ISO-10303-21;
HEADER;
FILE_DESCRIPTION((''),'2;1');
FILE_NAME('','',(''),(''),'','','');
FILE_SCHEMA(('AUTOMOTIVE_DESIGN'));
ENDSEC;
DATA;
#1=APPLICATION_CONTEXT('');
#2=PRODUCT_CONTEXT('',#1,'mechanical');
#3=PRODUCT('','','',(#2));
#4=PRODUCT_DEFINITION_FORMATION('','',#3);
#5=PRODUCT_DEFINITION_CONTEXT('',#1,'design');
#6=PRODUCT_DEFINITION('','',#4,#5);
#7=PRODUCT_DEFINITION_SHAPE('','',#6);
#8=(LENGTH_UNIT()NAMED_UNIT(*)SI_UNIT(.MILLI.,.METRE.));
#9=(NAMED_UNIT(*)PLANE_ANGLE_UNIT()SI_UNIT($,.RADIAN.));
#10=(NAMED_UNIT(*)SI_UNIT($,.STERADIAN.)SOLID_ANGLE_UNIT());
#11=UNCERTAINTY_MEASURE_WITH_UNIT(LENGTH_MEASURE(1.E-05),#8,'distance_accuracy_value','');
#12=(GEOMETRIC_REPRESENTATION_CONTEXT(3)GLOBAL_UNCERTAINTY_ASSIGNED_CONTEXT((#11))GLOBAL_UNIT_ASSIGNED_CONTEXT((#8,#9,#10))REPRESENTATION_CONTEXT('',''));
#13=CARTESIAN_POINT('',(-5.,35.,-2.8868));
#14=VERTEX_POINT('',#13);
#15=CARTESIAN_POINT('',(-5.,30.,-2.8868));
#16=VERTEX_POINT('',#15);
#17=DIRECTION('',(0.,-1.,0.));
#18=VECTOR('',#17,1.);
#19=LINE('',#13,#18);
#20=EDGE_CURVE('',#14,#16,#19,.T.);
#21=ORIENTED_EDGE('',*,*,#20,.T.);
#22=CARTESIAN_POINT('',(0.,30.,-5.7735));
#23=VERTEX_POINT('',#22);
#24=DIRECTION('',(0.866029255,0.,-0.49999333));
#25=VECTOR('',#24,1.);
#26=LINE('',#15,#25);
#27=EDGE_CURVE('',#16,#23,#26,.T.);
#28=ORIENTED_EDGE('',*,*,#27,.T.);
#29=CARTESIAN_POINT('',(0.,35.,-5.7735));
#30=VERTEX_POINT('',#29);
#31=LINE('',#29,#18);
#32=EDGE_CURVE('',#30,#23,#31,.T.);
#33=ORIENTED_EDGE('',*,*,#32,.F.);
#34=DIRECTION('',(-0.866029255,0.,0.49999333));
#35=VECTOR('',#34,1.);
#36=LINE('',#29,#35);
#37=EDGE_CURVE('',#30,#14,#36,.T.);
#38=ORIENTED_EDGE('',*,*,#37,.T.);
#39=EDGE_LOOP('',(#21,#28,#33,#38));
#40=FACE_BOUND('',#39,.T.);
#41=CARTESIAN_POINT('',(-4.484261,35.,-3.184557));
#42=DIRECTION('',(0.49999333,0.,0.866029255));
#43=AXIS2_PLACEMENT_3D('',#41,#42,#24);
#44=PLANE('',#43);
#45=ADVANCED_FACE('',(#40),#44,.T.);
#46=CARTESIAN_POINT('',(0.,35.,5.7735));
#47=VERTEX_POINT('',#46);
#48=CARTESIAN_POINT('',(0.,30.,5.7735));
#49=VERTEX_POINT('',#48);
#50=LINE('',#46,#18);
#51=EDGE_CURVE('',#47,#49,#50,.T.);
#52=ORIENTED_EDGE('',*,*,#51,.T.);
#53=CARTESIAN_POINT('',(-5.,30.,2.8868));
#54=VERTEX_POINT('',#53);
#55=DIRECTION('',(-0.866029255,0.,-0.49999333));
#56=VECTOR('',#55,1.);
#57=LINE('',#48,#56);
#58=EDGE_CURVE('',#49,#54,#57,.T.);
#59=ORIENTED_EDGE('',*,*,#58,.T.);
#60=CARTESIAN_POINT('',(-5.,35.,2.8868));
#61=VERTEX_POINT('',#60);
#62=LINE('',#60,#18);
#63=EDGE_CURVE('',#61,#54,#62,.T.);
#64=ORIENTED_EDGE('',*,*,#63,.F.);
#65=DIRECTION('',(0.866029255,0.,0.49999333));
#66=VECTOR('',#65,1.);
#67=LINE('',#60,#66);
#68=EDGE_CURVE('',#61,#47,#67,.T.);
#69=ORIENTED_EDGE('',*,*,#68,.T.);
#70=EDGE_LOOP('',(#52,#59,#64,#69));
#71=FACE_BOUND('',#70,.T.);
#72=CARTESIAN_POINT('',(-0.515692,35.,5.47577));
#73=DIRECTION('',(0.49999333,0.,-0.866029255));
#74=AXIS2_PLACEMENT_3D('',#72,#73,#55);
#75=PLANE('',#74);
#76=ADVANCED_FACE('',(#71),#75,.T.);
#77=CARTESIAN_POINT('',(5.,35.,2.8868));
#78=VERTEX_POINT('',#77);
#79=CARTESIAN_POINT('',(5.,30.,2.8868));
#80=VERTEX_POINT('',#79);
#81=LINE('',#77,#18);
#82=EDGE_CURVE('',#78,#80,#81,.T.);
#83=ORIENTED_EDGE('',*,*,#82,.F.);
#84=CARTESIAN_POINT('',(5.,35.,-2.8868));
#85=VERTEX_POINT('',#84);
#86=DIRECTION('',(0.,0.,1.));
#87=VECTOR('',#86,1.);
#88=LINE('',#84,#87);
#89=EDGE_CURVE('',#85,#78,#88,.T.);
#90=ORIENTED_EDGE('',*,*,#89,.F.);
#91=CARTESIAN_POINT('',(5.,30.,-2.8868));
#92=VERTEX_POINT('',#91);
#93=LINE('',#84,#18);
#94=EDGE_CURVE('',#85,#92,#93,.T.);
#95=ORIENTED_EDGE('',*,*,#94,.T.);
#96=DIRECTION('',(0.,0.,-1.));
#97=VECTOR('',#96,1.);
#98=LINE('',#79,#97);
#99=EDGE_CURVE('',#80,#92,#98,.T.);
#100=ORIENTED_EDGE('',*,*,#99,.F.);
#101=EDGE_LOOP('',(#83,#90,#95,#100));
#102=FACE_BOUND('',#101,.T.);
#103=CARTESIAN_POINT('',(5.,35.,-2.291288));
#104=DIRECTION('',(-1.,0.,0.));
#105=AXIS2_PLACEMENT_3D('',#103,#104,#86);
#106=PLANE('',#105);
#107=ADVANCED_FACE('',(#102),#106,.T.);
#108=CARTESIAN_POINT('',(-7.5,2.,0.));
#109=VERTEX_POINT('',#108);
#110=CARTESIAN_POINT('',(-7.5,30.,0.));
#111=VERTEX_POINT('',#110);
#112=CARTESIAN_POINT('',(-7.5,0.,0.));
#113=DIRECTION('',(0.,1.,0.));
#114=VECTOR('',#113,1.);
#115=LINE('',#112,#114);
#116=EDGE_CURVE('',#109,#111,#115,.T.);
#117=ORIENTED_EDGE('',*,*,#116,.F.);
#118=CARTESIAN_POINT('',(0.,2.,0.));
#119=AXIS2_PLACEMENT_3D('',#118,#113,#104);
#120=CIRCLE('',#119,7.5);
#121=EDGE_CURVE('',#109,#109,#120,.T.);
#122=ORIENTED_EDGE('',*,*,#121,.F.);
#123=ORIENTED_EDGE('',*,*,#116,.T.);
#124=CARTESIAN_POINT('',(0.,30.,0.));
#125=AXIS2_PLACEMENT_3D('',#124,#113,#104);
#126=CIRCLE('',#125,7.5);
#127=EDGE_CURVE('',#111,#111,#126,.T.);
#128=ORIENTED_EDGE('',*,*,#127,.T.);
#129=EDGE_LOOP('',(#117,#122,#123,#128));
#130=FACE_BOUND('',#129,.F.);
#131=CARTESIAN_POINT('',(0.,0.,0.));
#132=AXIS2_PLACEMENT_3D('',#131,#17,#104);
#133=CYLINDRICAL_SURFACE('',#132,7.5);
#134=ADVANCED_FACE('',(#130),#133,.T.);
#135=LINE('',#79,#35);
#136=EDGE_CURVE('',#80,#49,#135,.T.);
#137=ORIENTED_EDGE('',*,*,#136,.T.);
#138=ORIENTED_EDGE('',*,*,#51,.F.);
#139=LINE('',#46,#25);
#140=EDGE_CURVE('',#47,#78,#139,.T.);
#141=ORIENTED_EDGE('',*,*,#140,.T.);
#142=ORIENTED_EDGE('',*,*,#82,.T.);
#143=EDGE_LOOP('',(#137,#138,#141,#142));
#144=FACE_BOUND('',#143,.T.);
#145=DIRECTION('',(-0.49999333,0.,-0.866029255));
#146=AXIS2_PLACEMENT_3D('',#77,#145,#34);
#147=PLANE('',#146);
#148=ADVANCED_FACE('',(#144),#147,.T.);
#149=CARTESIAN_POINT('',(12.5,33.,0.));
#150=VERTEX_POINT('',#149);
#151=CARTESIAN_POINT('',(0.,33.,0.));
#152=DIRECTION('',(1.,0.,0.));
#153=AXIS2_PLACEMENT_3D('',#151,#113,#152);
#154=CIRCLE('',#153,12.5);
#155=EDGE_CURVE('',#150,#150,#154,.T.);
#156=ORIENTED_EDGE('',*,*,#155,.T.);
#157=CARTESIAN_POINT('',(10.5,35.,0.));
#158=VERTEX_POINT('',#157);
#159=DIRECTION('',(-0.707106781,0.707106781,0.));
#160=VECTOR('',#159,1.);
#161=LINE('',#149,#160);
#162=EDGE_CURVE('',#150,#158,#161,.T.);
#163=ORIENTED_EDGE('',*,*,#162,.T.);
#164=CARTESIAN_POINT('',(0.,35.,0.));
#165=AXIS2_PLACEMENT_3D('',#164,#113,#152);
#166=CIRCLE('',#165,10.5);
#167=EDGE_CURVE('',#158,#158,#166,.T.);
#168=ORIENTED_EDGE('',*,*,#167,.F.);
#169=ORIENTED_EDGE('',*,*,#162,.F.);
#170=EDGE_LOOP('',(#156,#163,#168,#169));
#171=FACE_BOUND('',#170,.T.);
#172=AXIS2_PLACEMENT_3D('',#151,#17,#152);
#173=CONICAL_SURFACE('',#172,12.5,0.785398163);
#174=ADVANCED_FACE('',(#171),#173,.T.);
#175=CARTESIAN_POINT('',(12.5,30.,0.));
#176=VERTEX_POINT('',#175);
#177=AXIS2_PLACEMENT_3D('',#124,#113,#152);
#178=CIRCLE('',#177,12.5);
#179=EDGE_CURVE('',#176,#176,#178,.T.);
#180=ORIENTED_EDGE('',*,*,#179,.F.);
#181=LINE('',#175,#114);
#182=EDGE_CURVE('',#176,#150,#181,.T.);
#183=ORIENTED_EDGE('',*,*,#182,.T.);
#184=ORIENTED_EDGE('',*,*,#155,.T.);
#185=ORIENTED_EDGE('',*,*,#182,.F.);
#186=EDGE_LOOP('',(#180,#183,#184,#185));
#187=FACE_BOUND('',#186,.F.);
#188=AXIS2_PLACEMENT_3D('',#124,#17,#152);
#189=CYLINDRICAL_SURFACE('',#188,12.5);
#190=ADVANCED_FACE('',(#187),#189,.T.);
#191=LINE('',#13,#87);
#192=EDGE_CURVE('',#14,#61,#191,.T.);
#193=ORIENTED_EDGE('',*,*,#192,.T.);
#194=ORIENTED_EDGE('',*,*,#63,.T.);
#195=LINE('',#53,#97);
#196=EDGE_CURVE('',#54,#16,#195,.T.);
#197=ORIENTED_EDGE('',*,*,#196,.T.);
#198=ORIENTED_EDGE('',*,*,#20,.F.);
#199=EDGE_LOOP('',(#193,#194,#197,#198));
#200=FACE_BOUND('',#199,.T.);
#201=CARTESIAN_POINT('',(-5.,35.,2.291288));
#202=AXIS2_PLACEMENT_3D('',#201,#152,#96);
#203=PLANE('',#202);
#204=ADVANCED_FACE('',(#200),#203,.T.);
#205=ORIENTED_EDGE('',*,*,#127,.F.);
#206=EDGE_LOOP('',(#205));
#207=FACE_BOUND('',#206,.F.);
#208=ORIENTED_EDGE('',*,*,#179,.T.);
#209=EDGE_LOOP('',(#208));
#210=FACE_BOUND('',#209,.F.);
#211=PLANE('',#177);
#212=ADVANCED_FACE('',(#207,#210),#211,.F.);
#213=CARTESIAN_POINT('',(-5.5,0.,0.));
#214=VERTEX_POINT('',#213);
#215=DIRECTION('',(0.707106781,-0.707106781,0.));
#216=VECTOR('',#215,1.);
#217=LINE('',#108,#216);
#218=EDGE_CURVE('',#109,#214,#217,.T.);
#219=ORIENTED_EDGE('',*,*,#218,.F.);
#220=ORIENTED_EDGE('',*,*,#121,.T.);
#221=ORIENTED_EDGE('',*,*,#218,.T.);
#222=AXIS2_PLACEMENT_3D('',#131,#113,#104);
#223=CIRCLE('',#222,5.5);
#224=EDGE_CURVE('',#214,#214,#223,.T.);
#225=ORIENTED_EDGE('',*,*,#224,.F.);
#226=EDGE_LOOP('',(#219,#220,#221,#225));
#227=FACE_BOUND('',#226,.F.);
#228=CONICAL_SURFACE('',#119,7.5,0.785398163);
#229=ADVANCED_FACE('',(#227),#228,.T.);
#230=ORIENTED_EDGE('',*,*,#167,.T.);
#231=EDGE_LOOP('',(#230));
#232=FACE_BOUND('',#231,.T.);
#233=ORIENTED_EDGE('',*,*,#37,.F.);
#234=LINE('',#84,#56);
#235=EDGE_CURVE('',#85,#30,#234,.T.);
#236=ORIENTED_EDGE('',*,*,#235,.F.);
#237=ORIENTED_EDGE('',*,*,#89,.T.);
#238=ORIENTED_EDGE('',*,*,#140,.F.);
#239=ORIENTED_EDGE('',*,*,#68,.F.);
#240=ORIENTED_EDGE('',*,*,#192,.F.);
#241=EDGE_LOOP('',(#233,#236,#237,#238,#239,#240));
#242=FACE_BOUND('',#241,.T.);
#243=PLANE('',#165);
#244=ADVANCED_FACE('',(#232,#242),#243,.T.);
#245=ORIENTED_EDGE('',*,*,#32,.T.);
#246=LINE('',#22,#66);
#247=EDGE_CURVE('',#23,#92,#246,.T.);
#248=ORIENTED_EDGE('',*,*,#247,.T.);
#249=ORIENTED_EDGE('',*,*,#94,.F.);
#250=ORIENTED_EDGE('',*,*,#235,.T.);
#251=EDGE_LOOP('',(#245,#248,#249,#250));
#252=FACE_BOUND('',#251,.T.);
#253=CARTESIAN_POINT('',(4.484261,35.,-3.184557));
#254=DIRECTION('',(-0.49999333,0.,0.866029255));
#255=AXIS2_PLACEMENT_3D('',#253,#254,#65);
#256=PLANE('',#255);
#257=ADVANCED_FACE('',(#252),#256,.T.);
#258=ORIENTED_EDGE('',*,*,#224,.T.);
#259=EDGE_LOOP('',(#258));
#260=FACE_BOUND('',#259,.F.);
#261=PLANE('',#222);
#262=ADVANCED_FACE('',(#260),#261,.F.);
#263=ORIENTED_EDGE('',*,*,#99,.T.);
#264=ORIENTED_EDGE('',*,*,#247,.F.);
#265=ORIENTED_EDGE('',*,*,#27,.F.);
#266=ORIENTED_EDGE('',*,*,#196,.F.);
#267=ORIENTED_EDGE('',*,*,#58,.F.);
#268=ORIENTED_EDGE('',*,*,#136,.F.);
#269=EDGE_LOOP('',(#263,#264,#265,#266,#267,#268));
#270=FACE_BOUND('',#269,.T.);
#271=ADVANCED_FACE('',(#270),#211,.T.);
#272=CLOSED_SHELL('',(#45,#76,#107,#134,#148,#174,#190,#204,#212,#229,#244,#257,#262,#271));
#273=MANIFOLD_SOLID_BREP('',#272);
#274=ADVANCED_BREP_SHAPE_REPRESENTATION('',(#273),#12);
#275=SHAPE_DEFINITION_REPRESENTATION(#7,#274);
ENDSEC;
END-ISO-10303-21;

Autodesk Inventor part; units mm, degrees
ref_plane "YZ Plane" through (0, 0, 0) normal (1, 0, 0) x (0, 1, 0)
ref_plane "XZ Plane" through (0, 0, 0) normal (0, 1, 0) x (-1, 0, 0)
ref_plane "XY Plane" through (0, 0, 0) normal (0, 0, 1) x (1, 0, 0)
sketch "Sketch1" plane through (0, 0, 0) normal (0, 1, 0) x (-1, 0, 0)
  circle A0 centre (0, 0) radius 7.5
  dimension "d0" = 15
extrude "Extrusion1" add sketch "Sketch1" along normal blind 30
chamfer "Chamfer1" distance 2 angle 45 1 edges at (7.5, 0, 0)
sketch "Sketch2" plane through (0, 30, 0) normal (0, 1, 0) x (1, 0, 0)
  circle A0 centre (0, 0) radius 12.5
  dimension "d6" = 25
extrude "Extrusion2" add sketch "Sketch2" along normal blind 5
chamfer "Chamfer2" distance 2 angle 45 1 edges at (-12.5, 35, 0)
thread "Thread1" size "M15x1.5" class "6g" standard "ISO Metric profile" length 20
sketch "Sketch3" plane through (0, 35, 0) normal (0, 1, 0) x (1, 0, 0)
  circle A0 centre (0, 0) radius 5.5 projected
  line L0 (0, 5.7735) -> (5, 2.8868)
  line L1 (5, 2.8868) -> (5, -2.8868)
  line L2 (5, -2.8868) -> (0, -5.7735)
  line L3 (0, -5.7735) -> (-5, -2.8868)
  line L4 (-5, -2.8868) -> (-5, 2.8868)
  line L5 (-5, 2.8868) -> (0, 5.7735)
  dimension "d14" = 10
extrude "Extrusion3" cut sketch "Sketch3" against normal blind 5 contours L1 A0 L2 L3 L4 L5 L0 | A0 L0 L1 | L1 L2 A0 | A0 L5 L0 | L2 L3 A0 | A0 L4 L5 | L3 L4 A0
properties part number "Tutorial_001_Bolt" material "Stainless Steel"
